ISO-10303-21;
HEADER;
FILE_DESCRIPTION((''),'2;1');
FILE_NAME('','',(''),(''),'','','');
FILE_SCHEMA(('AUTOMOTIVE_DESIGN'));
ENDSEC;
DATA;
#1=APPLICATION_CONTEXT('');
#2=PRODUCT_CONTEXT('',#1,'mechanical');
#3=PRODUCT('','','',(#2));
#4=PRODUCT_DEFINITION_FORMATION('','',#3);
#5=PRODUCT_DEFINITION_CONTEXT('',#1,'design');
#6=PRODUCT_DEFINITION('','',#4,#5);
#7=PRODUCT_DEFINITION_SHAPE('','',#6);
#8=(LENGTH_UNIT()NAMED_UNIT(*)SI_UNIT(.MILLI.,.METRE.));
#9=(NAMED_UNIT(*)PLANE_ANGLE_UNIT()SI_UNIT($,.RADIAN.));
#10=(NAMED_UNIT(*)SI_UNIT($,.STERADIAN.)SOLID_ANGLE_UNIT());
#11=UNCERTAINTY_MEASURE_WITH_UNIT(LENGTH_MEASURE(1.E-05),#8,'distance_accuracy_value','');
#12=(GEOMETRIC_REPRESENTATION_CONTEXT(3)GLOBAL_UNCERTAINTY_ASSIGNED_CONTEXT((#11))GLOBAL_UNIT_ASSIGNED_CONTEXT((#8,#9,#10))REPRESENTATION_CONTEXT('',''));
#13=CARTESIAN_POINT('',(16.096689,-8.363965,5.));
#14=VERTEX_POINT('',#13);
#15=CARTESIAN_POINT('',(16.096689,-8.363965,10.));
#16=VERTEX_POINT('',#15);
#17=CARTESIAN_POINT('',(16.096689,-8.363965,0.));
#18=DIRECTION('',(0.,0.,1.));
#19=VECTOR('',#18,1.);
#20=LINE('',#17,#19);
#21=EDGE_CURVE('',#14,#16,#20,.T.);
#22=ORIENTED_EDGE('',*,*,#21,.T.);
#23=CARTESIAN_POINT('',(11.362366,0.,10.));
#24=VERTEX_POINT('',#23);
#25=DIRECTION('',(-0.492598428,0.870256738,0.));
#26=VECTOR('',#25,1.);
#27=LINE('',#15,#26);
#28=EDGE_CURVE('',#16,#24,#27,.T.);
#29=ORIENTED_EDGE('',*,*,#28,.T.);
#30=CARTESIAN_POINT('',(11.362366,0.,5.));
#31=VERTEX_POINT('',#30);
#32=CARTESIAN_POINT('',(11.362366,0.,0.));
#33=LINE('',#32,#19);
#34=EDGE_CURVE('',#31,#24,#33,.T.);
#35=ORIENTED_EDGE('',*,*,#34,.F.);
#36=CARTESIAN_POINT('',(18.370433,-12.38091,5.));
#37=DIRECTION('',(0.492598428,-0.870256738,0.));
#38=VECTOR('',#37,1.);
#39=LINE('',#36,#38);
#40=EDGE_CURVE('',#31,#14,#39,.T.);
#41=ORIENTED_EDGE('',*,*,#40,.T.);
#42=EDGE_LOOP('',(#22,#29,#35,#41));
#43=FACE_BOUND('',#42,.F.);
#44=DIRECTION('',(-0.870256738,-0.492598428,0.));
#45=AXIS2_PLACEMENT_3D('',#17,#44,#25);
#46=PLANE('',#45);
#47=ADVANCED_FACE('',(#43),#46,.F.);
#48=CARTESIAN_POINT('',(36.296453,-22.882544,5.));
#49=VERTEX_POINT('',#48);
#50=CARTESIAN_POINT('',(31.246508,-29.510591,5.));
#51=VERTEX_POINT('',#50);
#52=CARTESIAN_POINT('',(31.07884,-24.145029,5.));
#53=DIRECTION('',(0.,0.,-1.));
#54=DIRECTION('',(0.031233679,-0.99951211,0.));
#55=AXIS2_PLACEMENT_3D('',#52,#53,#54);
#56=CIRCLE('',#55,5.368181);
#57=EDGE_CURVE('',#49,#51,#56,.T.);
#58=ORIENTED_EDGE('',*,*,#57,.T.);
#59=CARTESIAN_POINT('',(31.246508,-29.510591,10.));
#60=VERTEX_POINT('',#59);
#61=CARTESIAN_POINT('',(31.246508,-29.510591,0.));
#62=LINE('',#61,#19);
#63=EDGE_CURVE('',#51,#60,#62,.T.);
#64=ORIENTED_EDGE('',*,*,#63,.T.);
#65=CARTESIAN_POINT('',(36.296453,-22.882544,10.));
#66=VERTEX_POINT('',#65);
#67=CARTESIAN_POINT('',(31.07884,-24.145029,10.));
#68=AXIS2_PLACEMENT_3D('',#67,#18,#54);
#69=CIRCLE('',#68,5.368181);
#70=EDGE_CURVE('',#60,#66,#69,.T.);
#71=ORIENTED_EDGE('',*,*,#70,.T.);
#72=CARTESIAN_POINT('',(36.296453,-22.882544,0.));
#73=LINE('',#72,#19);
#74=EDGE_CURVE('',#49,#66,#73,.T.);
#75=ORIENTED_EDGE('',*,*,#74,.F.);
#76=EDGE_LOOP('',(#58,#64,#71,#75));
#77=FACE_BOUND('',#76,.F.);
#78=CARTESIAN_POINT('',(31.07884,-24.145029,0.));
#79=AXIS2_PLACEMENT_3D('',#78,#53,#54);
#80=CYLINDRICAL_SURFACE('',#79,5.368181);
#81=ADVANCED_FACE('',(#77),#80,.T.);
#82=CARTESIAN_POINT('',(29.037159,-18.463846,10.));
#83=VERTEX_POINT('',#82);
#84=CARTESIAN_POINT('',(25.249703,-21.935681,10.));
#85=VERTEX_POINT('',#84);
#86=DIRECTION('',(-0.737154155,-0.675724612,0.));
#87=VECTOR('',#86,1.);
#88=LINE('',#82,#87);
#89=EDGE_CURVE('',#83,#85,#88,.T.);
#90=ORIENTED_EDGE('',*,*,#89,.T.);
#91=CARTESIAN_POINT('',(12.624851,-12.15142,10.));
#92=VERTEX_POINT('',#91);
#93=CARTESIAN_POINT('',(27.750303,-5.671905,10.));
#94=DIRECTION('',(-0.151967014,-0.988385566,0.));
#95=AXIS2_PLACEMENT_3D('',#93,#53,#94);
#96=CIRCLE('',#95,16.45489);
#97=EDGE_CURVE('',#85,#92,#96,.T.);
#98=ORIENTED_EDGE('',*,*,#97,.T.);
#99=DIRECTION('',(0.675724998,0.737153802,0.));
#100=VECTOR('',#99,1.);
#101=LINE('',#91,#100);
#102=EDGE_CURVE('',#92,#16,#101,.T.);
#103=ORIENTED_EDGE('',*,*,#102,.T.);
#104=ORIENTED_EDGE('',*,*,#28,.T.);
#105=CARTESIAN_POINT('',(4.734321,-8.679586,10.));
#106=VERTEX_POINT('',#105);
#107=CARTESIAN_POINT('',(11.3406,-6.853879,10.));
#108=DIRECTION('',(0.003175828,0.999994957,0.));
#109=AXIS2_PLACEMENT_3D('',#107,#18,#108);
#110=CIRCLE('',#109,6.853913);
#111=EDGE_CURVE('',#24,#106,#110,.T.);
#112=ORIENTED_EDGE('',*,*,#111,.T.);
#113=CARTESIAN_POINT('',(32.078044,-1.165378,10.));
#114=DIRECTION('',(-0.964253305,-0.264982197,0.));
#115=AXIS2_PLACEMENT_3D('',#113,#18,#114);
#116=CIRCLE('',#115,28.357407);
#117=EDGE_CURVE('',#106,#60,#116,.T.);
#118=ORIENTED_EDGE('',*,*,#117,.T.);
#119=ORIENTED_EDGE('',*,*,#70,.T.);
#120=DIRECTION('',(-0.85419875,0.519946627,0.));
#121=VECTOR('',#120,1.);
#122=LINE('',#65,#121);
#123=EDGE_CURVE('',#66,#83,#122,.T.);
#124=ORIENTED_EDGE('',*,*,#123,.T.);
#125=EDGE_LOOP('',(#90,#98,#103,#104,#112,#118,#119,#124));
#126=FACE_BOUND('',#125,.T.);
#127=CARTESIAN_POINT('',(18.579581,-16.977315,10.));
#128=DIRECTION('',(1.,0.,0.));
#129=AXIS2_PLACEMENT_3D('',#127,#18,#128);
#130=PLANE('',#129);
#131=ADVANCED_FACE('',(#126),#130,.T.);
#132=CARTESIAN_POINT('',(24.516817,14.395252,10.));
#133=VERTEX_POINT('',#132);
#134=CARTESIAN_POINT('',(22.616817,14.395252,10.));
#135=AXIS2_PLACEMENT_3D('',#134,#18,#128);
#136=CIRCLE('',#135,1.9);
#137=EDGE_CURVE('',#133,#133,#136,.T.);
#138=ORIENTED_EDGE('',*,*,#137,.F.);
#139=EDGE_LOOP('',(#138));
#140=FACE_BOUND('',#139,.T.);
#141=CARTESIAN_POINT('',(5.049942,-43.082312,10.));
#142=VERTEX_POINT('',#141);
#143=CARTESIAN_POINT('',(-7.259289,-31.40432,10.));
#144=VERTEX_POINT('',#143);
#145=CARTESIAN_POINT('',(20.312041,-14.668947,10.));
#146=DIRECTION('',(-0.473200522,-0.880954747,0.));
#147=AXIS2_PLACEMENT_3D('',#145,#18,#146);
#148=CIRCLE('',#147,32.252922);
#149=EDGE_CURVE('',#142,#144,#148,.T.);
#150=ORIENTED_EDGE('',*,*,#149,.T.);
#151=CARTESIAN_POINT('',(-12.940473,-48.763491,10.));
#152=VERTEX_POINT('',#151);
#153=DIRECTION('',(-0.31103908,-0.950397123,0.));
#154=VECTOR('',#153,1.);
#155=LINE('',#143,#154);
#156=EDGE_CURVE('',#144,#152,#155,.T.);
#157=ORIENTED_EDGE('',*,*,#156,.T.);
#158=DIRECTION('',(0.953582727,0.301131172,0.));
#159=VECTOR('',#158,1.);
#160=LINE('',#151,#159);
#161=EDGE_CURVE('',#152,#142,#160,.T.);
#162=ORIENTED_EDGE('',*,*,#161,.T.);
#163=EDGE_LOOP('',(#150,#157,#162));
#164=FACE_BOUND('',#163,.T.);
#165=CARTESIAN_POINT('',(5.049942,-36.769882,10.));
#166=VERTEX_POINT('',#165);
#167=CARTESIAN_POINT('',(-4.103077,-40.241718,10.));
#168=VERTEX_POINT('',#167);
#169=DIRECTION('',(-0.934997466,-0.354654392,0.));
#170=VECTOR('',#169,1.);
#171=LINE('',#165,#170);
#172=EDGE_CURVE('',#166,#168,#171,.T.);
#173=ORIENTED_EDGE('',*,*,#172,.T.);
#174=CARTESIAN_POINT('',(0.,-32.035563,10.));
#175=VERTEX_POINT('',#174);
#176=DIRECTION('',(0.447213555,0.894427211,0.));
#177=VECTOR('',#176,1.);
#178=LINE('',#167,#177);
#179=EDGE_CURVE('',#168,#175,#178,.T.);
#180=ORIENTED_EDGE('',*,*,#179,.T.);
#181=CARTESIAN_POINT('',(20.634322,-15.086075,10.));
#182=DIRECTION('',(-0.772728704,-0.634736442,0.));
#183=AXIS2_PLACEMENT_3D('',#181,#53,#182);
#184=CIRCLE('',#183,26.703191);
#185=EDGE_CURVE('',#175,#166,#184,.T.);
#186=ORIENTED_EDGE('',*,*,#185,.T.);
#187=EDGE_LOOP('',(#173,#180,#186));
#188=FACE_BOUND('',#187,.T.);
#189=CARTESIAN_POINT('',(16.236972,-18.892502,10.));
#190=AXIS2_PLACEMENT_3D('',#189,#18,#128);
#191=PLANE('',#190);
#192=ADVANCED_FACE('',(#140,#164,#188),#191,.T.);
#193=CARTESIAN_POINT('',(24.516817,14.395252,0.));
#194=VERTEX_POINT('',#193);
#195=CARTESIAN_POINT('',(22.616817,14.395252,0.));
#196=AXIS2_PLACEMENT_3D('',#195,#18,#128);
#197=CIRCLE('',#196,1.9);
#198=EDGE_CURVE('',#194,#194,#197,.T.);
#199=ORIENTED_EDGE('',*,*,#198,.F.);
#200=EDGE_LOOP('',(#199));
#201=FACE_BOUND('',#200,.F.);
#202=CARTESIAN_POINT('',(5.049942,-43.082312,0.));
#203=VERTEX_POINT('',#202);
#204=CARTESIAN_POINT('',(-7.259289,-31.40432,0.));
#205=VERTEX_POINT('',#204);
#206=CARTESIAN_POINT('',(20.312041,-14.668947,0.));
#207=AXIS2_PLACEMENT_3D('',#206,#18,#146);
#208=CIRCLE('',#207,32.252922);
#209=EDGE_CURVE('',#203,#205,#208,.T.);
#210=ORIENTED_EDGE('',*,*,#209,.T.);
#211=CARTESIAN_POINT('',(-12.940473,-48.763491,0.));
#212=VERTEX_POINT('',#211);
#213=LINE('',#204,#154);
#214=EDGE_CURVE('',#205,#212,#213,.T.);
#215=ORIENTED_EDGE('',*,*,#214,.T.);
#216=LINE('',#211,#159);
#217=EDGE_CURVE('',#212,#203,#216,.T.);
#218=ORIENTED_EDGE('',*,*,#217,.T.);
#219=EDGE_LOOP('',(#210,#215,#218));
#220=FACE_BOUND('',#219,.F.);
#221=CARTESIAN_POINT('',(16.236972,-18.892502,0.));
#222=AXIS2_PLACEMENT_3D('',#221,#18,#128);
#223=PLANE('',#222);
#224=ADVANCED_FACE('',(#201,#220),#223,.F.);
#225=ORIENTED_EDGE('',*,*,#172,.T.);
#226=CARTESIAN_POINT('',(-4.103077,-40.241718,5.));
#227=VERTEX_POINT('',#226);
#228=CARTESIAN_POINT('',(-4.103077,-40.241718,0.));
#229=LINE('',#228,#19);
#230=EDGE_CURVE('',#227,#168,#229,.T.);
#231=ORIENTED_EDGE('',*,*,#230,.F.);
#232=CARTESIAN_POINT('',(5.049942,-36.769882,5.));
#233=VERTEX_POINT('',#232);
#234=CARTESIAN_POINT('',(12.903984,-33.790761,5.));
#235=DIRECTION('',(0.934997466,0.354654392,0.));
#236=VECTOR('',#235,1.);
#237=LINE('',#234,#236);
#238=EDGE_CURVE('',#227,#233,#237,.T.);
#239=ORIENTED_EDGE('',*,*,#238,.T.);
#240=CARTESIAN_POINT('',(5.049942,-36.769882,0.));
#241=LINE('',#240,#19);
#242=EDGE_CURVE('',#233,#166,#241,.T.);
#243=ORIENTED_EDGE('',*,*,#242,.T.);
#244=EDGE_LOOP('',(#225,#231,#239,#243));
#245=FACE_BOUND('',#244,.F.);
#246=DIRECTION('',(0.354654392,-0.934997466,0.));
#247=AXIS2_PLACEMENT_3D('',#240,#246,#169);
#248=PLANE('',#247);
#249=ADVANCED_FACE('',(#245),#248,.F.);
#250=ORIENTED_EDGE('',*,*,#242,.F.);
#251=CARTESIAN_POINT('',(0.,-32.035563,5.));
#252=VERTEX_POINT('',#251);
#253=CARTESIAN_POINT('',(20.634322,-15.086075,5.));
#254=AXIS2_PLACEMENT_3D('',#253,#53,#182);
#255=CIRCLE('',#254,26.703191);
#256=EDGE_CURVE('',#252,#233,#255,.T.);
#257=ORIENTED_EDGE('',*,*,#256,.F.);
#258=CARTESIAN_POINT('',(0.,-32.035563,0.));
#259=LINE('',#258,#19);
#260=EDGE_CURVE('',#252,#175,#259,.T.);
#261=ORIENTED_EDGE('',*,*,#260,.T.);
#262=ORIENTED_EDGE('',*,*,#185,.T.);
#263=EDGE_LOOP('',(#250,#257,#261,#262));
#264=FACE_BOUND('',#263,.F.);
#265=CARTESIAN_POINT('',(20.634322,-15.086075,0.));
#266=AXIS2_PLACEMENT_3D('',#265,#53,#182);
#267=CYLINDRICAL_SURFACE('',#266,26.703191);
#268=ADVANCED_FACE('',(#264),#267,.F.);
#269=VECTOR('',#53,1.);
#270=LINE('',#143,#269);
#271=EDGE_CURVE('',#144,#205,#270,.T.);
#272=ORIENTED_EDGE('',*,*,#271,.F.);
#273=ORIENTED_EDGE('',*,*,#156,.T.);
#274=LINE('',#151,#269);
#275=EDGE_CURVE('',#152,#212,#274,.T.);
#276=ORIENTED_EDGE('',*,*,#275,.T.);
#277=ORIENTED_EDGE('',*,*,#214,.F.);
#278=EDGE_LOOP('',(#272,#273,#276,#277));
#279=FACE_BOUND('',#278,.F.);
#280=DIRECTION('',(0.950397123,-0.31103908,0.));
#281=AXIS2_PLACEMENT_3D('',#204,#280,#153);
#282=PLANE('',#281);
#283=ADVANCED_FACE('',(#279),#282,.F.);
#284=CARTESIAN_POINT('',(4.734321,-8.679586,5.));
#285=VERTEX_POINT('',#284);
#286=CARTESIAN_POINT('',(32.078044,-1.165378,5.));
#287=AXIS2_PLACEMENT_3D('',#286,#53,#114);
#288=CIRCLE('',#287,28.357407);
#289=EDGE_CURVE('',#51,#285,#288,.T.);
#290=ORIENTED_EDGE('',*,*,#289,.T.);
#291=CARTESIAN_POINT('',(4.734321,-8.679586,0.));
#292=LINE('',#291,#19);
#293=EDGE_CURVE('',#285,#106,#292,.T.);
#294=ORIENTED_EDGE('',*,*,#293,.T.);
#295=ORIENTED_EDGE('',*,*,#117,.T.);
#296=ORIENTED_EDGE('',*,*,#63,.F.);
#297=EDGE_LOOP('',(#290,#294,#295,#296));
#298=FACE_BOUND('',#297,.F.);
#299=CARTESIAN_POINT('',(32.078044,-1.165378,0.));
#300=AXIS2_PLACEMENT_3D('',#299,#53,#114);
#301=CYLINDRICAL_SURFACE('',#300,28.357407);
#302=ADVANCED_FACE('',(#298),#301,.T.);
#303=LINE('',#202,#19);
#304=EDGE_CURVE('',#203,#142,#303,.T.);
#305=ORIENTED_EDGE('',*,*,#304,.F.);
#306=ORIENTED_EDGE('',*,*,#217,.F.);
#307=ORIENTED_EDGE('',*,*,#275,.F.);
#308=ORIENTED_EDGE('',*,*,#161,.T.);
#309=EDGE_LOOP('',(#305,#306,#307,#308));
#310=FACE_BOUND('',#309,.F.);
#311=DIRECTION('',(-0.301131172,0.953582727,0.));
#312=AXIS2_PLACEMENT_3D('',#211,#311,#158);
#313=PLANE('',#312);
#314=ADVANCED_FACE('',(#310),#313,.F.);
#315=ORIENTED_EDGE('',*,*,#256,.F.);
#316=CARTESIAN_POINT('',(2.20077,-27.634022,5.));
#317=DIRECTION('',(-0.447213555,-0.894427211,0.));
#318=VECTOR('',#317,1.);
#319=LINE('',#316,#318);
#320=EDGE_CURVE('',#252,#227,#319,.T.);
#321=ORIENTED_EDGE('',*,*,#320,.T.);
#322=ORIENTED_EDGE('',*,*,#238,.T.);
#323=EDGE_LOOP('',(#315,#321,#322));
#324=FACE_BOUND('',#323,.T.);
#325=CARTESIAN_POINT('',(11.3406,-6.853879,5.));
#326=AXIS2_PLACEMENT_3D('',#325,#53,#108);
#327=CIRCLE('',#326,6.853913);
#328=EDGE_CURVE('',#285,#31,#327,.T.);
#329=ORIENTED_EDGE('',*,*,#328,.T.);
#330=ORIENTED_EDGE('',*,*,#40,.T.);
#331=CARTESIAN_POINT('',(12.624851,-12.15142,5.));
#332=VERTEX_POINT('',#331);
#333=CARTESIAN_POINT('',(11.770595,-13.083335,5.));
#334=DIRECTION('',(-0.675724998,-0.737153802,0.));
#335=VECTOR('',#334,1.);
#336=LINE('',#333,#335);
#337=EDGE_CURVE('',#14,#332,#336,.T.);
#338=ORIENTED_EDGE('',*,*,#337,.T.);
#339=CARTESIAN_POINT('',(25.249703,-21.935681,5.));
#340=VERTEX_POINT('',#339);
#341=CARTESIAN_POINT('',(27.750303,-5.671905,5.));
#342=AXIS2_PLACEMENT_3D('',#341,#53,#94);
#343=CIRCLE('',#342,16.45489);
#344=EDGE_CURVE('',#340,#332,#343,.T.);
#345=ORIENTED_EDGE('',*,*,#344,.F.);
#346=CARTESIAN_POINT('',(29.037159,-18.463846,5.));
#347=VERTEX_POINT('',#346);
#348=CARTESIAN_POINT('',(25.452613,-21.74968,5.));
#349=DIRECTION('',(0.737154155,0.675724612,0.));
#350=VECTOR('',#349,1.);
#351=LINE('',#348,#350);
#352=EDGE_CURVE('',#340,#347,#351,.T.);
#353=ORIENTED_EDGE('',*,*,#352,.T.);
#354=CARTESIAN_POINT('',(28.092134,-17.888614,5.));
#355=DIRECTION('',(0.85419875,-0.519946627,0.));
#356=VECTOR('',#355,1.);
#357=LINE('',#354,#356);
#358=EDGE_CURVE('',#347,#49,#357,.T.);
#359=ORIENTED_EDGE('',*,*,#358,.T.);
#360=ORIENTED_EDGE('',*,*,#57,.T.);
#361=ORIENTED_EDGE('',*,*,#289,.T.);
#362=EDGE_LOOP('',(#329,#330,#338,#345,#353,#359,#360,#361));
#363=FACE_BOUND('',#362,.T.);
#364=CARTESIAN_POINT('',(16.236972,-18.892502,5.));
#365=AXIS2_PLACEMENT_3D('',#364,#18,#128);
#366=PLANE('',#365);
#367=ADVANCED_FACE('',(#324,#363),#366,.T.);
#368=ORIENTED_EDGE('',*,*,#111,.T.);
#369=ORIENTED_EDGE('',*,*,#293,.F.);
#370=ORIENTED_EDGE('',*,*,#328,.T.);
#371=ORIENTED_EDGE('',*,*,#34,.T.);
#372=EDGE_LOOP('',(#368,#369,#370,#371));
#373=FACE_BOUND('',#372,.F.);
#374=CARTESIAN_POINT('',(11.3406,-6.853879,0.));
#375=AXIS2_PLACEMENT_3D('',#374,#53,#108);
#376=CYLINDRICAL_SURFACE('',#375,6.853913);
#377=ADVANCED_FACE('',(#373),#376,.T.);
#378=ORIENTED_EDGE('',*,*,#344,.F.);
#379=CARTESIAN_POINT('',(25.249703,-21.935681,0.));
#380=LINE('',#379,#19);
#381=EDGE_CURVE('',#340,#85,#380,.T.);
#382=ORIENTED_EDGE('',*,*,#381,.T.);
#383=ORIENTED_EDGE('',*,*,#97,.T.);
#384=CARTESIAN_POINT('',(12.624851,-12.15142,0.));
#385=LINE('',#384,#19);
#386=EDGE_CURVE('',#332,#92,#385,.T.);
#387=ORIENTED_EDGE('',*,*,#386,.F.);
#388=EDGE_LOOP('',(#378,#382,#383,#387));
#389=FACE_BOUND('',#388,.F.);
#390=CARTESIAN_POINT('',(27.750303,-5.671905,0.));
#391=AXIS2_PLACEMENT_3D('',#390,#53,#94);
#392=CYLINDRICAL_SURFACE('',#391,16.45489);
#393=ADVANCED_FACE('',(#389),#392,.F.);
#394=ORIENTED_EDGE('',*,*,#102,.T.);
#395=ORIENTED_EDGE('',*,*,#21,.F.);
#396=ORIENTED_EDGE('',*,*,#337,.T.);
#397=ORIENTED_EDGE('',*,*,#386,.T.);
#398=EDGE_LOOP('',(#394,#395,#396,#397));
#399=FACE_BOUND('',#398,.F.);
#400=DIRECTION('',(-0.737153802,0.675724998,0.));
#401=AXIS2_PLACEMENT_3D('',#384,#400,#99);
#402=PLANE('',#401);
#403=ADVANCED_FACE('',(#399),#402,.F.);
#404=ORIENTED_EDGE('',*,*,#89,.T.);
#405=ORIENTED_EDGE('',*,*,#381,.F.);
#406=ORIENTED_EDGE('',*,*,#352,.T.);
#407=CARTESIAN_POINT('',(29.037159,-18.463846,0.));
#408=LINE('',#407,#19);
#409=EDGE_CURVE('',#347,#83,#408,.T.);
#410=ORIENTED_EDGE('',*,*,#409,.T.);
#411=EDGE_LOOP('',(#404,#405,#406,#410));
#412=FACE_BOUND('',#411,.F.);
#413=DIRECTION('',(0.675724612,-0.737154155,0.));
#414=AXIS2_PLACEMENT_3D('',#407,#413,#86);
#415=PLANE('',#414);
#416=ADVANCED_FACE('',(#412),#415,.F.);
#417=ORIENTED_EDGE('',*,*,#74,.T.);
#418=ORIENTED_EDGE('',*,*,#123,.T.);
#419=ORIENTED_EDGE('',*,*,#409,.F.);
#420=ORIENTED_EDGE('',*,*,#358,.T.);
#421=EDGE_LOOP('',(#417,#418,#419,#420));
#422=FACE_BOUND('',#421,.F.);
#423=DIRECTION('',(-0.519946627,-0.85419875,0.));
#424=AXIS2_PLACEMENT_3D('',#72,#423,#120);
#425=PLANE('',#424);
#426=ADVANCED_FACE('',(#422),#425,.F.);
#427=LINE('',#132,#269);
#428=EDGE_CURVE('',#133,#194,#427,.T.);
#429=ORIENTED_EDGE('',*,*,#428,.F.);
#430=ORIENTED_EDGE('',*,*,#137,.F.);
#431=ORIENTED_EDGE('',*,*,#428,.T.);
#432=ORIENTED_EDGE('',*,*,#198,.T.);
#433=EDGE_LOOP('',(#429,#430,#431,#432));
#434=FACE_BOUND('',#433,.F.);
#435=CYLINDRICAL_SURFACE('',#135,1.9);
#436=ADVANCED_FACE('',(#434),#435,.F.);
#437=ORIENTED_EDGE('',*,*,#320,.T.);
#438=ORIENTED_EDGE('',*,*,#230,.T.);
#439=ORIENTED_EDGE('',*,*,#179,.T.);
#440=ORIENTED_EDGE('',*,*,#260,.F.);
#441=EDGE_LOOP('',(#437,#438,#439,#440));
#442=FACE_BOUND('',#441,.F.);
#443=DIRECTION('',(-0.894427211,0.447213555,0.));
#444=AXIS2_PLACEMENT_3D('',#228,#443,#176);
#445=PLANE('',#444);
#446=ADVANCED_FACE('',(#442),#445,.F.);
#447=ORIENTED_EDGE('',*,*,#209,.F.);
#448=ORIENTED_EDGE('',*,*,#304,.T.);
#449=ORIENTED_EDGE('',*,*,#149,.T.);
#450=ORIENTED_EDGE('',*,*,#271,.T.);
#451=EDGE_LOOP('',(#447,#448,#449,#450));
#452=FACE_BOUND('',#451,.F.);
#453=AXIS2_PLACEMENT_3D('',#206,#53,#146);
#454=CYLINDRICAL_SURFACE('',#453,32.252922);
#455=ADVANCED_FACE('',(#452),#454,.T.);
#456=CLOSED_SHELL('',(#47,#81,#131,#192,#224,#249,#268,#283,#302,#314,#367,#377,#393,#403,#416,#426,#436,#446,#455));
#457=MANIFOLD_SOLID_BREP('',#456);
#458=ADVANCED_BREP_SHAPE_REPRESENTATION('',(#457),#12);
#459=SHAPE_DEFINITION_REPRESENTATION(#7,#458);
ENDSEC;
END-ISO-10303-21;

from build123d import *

# Parameters (mm, degrees)
F1_DEPTH = 5
F2_DEPTH = 10
F3_R     = 1.9
F4_DEPTH = 25


with BuildPart() as f1:
    # F0 (on Top) → F1 (new body)
    with BuildSketch(Plane.XY):
        with BuildLine():
            Line((-12.9404729232, -48.7634912133), (5.0499415956, -43.0823117495))
            ThreePointArc((5.0499415956, -43.0823117495), (42.5104539856, 8.7293731877), (-7.2592892684, -31.4043201506))
            Line((-7.2592892684, -31.4043201506), (-12.9404729232, -48.7634912133))
        make_face()
        with BuildLine():
            ThreePointArc((0, -32.0355631411), (38.897729879, 4.3948998346), (5.0499415956, -36.7698818445))
            Line((5.0499415956, -36.7698818445), (-4.1030771099, -40.2417182922))
            Line((-4.1030771099, -40.2417182922), (0, -32.0355631411))
        make_face(mode=Mode.SUBTRACT)
        with BuildLine():
            Line((-4.1030771099, -40.2417182922), (5.0499415956, -36.7698818445))
            ThreePointArc((5.0499415956, -36.7698818445), (38.897729879, 4.3948998346), (0, -32.0355631411))
            Line((0, -32.0355631411), (-4.1030771099, -40.2417182922))
        make_face()
        with BuildLine():
            ThreePointArc((31.2465075403, -29.5105911791), (14.5582264722, -23.4633274209), (4.7343205661, -8.6795864627))
            ThreePointArc((4.7343205661, -8.6795864627), (5.8933290907, -2.69414639), (11.3623663783, 0))
            Line((11.3623663783, 0), (16.096688807, -8.3639649674))
            Line((16.096688807, -8.3639649674), (12.624851428, -12.1514201164))
            ThreePointArc((12.624851428, -12.1514201164), (17.6705032305, -18.6780973296), (25.2497028559, -21.9356808811))
            Line((25.2497028559, -21.9356808811), (29.0371589363, -18.4638462961))
            Line((29.0371589363, -18.4638462961), (36.2964533269, -22.8825435042))
            ThreePointArc((36.2964533269, -22.8825435042), (35.3488593131, -27.39838094), (31.2465075403, -29.5105911791))
        make_face(mode=Mode.SUBTRACT)
        with BuildLine():
            ThreePointArc((11.3623663783, 0), (5.8933290907, -2.69414639), (4.7343205661, -8.6795864627))
            ThreePointArc((4.7343205661, -8.6795864627), (14.5582264722, -23.4633274209), (31.2465075403, -29.5105911791))
            ThreePointArc((31.2465075403, -29.5105911791), (35.3488593131, -27.39838094), (36.2964533269, -22.8825435042))
            Line((36.2964533269, -22.8825435042), (29.0371589363, -18.4638462961))
            Line((29.0371589363, -18.4638462961), (25.2497028559, -21.9356808811))
            ThreePointArc((25.2497028559, -21.9356808811), (17.6705032305, -18.6780973296), (12.624851428, -12.1514201164))
            Line((12.624851428, -12.1514201164), (16.096688807, -8.3639649674))
            Line((16.096688807, -8.3639649674), (11.3623663783, 0))
        make_face()
    extrude(amount=F1_DEPTH)

    # F0 (on Top) → F2 (join)
    with BuildSketch(Plane.XY):
        with BuildLine():
            Line((-12.9404729232, -48.7634912133), (5.0499415956, -43.0823117495))
            ThreePointArc((5.0499415956, -43.0823117495), (42.5104539856, 8.7293731877), (-7.2592892684, -31.4043201506))
            Line((-7.2592892684, -31.4043201506), (-12.9404729232, -48.7634912133))
        make_face()
        with BuildLine():
            ThreePointArc((0, -32.0355631411), (38.897729879, 4.3948998346), (5.0499415956, -36.7698818445))
            Line((5.0499415956, -36.7698818445), (-4.1030771099, -40.2417182922))
            Line((-4.1030771099, -40.2417182922), (0, -32.0355631411))
        make_face(mode=Mode.SUBTRACT)
        with BuildLine():
            ThreePointArc((11.3623663783, 0), (5.8933290907, -2.69414639), (4.7343205661, -8.6795864627))
            ThreePointArc((4.7343205661, -8.6795864627), (14.5582264722, -23.4633274209), (31.2465075403, -29.5105911791))
            ThreePointArc((31.2465075403, -29.5105911791), (35.3488593131, -27.39838094), (36.2964533269, -22.8825435042))
            Line((36.2964533269, -22.8825435042), (29.0371589363, -18.4638462961))
            Line((29.0371589363, -18.4638462961), (25.2497028559, -21.9356808811))
            ThreePointArc((25.2497028559, -21.9356808811), (17.6705032305, -18.6780973296), (12.624851428, -12.1514201164))
            Line((12.624851428, -12.1514201164), (16.096688807, -8.3639649674))
            Line((16.096688807, -8.3639649674), (11.3623663783, 0))
        make_face()
    extrude(amount=F2_DEPTH)

    # F3 (on face) → F4 (cut)
    with BuildSketch(Plane.XY.offset(10)):
        with Locations((22.6168166846, 14.3952518702)):
            Circle(F3_R)
    extrude(amount=-F4_DEPTH, mode=Mode.SUBTRACT)


solid = f1.part
